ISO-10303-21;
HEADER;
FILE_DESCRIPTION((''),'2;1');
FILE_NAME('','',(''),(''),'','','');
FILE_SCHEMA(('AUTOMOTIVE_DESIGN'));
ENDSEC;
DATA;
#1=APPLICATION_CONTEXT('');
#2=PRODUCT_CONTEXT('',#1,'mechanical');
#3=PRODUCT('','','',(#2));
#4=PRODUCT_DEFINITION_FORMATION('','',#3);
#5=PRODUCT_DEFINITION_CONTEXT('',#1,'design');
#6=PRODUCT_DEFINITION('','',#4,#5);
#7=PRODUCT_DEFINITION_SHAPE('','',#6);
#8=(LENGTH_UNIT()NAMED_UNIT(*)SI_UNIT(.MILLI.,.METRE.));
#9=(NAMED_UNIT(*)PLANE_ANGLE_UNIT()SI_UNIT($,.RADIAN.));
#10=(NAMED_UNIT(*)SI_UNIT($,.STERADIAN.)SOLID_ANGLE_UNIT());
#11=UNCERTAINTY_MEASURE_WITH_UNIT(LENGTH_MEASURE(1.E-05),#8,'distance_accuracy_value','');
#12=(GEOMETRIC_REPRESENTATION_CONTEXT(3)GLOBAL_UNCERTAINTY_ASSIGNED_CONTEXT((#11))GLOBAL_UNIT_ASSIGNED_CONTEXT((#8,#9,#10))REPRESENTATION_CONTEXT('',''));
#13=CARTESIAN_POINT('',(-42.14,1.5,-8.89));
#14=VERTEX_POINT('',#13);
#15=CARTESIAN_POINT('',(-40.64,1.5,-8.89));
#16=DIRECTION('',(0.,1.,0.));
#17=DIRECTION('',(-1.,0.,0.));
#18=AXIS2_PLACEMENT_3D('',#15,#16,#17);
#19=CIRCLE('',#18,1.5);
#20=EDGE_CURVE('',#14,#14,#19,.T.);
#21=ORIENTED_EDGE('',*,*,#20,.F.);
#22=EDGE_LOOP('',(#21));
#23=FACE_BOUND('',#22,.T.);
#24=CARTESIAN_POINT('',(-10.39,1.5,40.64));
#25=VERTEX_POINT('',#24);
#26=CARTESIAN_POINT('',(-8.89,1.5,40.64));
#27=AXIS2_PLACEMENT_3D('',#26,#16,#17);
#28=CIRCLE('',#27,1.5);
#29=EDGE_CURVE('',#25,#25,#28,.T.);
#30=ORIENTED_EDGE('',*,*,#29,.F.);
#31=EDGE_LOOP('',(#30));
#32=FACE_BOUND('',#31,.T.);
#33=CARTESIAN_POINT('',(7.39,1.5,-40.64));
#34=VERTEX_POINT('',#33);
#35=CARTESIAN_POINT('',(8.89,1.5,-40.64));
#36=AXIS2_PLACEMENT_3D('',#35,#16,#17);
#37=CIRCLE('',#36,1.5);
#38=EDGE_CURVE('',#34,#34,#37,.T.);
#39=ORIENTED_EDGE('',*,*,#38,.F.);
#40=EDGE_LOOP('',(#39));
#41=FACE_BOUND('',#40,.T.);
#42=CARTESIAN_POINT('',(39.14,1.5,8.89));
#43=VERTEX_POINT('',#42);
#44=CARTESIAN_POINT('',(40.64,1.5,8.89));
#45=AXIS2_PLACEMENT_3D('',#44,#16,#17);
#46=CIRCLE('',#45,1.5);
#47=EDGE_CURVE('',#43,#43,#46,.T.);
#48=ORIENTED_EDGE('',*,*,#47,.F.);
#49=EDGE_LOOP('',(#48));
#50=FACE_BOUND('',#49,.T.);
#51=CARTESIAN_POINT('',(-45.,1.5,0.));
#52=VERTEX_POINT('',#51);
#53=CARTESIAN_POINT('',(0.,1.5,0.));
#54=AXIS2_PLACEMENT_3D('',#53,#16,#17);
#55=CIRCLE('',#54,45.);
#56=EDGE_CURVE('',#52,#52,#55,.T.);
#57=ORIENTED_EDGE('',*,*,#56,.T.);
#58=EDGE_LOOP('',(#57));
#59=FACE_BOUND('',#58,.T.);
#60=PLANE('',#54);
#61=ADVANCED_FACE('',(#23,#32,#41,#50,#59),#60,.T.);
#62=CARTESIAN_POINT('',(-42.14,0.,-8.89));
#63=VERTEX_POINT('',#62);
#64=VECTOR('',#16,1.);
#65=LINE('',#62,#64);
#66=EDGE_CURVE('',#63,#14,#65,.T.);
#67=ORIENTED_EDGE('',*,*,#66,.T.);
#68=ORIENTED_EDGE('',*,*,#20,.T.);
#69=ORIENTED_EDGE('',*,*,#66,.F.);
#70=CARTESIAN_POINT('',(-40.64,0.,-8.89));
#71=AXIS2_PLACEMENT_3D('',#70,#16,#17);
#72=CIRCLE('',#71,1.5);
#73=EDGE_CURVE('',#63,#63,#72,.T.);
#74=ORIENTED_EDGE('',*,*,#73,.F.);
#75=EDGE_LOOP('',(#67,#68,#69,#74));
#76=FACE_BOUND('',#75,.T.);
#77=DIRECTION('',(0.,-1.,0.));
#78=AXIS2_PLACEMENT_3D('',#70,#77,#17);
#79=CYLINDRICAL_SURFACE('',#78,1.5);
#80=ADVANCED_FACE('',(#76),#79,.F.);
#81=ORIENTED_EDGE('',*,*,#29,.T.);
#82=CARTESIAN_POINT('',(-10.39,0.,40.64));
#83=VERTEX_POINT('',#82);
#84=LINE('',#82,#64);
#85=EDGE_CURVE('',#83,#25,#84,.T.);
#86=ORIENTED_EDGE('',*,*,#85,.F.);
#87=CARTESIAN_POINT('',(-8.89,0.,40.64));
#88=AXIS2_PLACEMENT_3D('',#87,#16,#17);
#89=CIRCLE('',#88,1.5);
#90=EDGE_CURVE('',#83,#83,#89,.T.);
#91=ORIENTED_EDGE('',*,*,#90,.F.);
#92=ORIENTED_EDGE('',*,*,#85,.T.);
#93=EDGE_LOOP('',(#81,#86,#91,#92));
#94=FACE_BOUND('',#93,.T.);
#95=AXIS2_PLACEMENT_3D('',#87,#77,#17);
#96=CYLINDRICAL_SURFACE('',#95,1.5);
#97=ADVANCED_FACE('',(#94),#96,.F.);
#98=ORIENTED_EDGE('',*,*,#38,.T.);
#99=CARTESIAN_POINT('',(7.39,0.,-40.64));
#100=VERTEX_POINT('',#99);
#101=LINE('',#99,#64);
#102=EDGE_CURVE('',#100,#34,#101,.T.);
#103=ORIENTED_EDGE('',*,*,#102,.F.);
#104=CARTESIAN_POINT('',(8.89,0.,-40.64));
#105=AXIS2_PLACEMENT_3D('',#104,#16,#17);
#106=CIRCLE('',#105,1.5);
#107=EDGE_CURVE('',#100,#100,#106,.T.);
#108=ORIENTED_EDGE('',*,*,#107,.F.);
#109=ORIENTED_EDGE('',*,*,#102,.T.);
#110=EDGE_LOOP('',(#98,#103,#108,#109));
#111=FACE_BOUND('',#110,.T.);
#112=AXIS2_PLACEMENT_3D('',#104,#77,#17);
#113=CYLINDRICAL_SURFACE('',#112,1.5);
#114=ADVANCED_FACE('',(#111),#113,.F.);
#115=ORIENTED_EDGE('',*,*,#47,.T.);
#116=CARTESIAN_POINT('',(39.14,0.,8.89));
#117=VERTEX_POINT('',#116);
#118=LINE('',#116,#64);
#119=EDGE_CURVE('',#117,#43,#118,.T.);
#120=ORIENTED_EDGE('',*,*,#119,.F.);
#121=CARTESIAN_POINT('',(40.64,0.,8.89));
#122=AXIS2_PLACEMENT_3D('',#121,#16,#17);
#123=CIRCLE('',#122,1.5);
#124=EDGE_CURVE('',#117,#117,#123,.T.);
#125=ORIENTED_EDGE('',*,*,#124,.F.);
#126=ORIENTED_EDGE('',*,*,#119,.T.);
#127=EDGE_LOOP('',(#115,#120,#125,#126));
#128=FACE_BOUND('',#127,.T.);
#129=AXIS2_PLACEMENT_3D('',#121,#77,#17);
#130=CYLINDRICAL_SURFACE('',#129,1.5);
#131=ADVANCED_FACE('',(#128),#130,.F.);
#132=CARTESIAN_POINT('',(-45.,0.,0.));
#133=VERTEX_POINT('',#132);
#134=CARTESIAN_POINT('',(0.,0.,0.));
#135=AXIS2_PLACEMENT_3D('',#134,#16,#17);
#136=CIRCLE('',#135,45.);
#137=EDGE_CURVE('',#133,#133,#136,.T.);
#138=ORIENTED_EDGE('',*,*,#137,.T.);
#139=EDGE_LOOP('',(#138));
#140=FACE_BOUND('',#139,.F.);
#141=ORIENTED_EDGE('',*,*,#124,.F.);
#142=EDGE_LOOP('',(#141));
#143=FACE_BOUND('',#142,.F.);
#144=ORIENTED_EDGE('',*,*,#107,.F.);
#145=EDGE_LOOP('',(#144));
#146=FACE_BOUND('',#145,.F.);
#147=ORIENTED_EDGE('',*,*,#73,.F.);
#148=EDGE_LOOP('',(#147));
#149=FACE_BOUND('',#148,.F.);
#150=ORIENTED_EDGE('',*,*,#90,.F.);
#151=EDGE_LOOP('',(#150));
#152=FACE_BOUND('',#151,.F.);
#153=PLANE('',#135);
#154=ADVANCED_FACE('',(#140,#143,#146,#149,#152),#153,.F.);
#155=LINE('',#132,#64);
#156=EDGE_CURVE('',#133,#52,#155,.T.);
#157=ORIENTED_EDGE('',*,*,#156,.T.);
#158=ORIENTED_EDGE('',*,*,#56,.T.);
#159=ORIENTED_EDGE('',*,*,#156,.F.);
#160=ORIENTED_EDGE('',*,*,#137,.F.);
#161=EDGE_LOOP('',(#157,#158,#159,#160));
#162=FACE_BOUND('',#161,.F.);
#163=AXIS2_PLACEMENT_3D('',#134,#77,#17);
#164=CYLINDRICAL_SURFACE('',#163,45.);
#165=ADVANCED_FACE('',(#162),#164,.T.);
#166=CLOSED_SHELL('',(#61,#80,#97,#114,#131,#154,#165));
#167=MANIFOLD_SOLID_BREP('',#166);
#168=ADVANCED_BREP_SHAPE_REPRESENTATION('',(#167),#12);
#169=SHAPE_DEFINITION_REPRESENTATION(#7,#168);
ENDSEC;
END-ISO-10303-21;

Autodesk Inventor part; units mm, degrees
ref_plane "YZ Plane" through (0, 0, 0) normal (1, 0, 0) x (0, 1, 0)
ref_plane "XZ Plane" through (0, 0, 0) normal (0, 1, 0) x (-1, 0, 0)
ref_plane "XY Plane" through (0, 0, 0) normal (0, 0, 1) x (1, 0, 0)
sketch "Sketch1" plane through (0, 0, 0) normal (0, 1, 0) x (-1, 0, 0)
  circle A0 centre (0, 0) radius 45
  line L0 (0, 0) -> (0, -40.64)
  line L1 (0, -40.64) -> (-8.89, -40.64)
  circle A1 centre (-8.89, -40.64) radius 1.5
  circle A2 centre (40.64, -8.89) radius 1.5
  circle A3 centre (8.89, 40.64) radius 1.5
  circle A4 centre (-40.64, 8.89) radius 1.5
  dimension "d0" = 90
  dimension "d1" = 40.64
  dimension "d2" = 8.89
  dimension "d3" = 3
  dimension "d6" = 360
extrude "Extrusion1" add sketch "Sketch1" along normal blind 1.5
sketch "Sketch2" plane through (0, 1.5, 0) normal (0, 1, 0) x (1, 0, 0)
  point P0 (0, 0)
properties part number "Light Sensor"
